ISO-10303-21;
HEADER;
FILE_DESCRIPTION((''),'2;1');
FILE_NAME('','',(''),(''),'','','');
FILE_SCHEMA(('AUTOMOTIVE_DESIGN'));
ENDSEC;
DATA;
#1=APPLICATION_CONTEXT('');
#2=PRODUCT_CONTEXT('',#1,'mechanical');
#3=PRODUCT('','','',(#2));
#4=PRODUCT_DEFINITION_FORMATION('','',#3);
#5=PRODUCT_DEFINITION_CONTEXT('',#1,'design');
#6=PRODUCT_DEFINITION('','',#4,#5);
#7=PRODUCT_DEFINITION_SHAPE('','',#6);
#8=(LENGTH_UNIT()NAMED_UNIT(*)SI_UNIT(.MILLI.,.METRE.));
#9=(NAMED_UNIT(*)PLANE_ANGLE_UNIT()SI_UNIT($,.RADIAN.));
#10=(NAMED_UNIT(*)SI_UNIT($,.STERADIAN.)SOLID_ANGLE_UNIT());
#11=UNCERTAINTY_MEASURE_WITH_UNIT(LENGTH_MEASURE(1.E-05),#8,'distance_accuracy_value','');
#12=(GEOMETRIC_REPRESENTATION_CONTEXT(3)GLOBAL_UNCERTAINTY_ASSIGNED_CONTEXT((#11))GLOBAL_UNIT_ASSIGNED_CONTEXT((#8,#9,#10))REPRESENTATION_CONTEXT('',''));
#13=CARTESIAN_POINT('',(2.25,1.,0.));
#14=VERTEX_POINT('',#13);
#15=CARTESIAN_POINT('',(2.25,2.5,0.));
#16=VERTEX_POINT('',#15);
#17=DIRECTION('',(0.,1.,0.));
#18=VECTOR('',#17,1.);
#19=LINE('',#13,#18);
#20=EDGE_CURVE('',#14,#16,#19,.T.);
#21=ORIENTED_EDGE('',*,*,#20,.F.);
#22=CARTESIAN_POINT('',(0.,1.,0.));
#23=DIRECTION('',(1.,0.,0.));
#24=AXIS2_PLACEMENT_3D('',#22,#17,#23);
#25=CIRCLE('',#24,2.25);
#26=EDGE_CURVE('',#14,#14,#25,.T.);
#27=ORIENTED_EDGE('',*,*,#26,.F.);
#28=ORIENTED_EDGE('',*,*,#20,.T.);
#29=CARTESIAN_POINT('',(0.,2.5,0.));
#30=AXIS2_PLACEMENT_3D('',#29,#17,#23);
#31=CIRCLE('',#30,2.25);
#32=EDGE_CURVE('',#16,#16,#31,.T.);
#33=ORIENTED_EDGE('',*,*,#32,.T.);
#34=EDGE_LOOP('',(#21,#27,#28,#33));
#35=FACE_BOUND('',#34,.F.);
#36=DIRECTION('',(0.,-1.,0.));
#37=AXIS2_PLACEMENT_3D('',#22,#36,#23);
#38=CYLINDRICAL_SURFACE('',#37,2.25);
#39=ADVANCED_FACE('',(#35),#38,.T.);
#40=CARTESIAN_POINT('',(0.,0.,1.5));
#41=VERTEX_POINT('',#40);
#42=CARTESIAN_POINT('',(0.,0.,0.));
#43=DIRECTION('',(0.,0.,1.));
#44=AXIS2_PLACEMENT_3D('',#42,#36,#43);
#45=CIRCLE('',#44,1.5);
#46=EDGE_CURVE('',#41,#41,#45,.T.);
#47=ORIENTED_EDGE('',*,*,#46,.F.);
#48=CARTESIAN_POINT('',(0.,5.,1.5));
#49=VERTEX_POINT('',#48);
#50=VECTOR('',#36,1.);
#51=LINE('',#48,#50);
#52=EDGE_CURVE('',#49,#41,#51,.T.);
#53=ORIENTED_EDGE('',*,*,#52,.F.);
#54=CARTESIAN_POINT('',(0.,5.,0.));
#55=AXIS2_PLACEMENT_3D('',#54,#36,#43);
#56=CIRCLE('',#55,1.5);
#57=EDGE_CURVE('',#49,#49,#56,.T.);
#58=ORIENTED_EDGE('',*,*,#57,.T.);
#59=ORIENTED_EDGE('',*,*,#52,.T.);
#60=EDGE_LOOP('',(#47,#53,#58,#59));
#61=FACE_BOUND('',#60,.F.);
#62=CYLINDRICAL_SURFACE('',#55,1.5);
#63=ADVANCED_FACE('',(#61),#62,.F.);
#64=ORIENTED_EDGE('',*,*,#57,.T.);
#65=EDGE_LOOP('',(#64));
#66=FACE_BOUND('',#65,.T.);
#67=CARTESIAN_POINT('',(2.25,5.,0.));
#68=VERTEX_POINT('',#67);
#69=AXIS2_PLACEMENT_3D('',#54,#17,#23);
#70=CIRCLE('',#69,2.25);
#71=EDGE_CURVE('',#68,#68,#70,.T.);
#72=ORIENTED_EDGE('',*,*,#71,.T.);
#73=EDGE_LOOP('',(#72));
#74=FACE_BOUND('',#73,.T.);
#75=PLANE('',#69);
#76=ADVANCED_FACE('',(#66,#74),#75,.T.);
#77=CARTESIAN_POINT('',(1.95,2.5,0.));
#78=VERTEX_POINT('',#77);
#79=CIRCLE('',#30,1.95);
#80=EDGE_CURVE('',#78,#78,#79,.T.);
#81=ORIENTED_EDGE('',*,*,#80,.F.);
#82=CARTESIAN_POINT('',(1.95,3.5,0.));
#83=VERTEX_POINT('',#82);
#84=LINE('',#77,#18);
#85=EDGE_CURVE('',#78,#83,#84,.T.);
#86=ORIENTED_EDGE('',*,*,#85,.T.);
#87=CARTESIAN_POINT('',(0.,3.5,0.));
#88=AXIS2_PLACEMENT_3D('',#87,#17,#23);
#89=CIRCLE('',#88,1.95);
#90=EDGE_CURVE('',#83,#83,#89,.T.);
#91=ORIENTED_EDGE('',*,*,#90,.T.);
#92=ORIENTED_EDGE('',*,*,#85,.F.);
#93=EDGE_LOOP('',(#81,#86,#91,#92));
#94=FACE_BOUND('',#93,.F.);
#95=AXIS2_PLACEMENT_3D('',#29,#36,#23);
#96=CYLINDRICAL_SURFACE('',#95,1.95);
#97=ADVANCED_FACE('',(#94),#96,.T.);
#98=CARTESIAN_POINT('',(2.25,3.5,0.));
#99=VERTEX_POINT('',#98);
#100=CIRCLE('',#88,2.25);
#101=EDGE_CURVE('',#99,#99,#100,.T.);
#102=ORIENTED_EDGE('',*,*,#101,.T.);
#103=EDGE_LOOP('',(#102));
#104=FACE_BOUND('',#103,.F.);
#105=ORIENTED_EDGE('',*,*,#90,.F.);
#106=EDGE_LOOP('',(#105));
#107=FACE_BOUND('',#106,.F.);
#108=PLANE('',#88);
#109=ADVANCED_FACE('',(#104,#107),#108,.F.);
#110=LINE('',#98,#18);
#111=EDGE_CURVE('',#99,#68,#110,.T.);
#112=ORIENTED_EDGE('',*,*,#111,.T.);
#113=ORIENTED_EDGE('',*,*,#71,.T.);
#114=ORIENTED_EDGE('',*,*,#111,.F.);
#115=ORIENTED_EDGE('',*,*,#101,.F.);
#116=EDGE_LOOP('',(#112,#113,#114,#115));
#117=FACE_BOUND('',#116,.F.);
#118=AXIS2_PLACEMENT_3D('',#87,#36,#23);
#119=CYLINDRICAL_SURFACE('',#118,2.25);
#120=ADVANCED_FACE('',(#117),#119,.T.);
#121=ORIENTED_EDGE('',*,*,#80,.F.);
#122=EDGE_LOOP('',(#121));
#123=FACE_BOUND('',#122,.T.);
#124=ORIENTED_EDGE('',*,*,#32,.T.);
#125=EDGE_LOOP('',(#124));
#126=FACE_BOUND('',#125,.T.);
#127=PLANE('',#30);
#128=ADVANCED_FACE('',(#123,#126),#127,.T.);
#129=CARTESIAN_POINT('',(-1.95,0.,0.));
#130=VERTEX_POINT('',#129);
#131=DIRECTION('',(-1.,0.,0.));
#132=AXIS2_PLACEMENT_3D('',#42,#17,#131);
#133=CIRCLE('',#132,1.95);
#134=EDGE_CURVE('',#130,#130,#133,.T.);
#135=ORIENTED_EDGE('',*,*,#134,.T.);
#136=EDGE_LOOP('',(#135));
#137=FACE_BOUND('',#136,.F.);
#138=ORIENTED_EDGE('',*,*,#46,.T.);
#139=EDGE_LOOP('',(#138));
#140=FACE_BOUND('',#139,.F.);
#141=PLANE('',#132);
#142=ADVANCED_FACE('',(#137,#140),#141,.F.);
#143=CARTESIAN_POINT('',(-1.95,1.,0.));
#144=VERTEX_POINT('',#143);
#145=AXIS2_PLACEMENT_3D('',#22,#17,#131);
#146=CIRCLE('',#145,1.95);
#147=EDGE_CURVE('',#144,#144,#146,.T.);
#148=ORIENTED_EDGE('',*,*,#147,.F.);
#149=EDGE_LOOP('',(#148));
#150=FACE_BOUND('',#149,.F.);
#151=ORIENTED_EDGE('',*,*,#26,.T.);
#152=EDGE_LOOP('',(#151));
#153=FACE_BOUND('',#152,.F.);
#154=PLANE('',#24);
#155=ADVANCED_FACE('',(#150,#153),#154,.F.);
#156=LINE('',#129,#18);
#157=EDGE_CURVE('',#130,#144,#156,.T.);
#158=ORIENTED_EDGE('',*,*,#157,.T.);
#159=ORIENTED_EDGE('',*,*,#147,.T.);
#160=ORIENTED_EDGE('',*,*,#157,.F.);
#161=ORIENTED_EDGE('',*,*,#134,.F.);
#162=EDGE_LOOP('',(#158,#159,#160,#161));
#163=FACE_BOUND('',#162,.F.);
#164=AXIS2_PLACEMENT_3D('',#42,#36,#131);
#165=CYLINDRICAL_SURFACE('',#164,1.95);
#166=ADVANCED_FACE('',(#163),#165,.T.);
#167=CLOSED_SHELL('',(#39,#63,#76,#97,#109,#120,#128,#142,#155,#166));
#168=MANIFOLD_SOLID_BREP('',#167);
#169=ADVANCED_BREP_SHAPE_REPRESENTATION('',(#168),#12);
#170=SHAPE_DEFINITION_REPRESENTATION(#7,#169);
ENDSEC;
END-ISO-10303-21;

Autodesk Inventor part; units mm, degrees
ref_plane "YZ Plane" through (0, 0, 0) normal (1, 0, 0) x (0, 1, 0)
ref_plane "XZ Plane" through (0, 0, 0) normal (0, 1, 0) x (-1, 0, 0)
ref_plane "XY Plane" through (0, 0, 0) normal (0, 0, 1) x (1, 0, 0)
sketch "Boceto1" plane through (0, 0, 0) normal (0, 1, 0) x (-1, 0, 0)
  circle A0 centre (0, 0) radius 1.95
  dimension "d0" = 3.9
extrude "Extrusión1" add sketch "Boceto1" along normal blind 1
sketch "Boceto2" plane through (0, 1, 0) normal (0, 1, 0) x (1, 0, 0)
  circle A0 centre (0, 0) radius 2.25
  dimension "d3" = 4.5
extrude "Extrusión2" add sketch "Boceto2" along normal blind 1.5
sketch "Boceto3" plane through (0, 2.5, 0) normal (0, 1, 0) x (1, 0, 0)
  circle A0 centre (0, 0) radius 1.95
  dimension "d8" = 3.9
extrude "Extrusión3" add sketch "Boceto3" along normal blind 1
sketch "Boceto4" plane through (0, 3.5, 0) normal (0, 1, 0) x (1, 0, 0)
  circle A0 centre (0, 0) radius 2.25 projected
  circle A1 centre (0, 0) radius 2.25
extrude "Extrusión4" add sketch "Boceto4" along normal blind 1.5
sketch "Boceto5" plane through (0, 5, 0) normal (0, 1, 0) x (1, 0, 0)
  point P0 (0, 0)
  point P1 (0, 0)
hole "Agujero1" at (0, 5, 0) direction (0, -1, 0) diameter 3 depth 6
thread "Rosca1" size "M3x0.5" class "6H" standard "ANSI Metric M Profile" full length
properties part number "InsertoM3" material "Latón, amarillo claro"
